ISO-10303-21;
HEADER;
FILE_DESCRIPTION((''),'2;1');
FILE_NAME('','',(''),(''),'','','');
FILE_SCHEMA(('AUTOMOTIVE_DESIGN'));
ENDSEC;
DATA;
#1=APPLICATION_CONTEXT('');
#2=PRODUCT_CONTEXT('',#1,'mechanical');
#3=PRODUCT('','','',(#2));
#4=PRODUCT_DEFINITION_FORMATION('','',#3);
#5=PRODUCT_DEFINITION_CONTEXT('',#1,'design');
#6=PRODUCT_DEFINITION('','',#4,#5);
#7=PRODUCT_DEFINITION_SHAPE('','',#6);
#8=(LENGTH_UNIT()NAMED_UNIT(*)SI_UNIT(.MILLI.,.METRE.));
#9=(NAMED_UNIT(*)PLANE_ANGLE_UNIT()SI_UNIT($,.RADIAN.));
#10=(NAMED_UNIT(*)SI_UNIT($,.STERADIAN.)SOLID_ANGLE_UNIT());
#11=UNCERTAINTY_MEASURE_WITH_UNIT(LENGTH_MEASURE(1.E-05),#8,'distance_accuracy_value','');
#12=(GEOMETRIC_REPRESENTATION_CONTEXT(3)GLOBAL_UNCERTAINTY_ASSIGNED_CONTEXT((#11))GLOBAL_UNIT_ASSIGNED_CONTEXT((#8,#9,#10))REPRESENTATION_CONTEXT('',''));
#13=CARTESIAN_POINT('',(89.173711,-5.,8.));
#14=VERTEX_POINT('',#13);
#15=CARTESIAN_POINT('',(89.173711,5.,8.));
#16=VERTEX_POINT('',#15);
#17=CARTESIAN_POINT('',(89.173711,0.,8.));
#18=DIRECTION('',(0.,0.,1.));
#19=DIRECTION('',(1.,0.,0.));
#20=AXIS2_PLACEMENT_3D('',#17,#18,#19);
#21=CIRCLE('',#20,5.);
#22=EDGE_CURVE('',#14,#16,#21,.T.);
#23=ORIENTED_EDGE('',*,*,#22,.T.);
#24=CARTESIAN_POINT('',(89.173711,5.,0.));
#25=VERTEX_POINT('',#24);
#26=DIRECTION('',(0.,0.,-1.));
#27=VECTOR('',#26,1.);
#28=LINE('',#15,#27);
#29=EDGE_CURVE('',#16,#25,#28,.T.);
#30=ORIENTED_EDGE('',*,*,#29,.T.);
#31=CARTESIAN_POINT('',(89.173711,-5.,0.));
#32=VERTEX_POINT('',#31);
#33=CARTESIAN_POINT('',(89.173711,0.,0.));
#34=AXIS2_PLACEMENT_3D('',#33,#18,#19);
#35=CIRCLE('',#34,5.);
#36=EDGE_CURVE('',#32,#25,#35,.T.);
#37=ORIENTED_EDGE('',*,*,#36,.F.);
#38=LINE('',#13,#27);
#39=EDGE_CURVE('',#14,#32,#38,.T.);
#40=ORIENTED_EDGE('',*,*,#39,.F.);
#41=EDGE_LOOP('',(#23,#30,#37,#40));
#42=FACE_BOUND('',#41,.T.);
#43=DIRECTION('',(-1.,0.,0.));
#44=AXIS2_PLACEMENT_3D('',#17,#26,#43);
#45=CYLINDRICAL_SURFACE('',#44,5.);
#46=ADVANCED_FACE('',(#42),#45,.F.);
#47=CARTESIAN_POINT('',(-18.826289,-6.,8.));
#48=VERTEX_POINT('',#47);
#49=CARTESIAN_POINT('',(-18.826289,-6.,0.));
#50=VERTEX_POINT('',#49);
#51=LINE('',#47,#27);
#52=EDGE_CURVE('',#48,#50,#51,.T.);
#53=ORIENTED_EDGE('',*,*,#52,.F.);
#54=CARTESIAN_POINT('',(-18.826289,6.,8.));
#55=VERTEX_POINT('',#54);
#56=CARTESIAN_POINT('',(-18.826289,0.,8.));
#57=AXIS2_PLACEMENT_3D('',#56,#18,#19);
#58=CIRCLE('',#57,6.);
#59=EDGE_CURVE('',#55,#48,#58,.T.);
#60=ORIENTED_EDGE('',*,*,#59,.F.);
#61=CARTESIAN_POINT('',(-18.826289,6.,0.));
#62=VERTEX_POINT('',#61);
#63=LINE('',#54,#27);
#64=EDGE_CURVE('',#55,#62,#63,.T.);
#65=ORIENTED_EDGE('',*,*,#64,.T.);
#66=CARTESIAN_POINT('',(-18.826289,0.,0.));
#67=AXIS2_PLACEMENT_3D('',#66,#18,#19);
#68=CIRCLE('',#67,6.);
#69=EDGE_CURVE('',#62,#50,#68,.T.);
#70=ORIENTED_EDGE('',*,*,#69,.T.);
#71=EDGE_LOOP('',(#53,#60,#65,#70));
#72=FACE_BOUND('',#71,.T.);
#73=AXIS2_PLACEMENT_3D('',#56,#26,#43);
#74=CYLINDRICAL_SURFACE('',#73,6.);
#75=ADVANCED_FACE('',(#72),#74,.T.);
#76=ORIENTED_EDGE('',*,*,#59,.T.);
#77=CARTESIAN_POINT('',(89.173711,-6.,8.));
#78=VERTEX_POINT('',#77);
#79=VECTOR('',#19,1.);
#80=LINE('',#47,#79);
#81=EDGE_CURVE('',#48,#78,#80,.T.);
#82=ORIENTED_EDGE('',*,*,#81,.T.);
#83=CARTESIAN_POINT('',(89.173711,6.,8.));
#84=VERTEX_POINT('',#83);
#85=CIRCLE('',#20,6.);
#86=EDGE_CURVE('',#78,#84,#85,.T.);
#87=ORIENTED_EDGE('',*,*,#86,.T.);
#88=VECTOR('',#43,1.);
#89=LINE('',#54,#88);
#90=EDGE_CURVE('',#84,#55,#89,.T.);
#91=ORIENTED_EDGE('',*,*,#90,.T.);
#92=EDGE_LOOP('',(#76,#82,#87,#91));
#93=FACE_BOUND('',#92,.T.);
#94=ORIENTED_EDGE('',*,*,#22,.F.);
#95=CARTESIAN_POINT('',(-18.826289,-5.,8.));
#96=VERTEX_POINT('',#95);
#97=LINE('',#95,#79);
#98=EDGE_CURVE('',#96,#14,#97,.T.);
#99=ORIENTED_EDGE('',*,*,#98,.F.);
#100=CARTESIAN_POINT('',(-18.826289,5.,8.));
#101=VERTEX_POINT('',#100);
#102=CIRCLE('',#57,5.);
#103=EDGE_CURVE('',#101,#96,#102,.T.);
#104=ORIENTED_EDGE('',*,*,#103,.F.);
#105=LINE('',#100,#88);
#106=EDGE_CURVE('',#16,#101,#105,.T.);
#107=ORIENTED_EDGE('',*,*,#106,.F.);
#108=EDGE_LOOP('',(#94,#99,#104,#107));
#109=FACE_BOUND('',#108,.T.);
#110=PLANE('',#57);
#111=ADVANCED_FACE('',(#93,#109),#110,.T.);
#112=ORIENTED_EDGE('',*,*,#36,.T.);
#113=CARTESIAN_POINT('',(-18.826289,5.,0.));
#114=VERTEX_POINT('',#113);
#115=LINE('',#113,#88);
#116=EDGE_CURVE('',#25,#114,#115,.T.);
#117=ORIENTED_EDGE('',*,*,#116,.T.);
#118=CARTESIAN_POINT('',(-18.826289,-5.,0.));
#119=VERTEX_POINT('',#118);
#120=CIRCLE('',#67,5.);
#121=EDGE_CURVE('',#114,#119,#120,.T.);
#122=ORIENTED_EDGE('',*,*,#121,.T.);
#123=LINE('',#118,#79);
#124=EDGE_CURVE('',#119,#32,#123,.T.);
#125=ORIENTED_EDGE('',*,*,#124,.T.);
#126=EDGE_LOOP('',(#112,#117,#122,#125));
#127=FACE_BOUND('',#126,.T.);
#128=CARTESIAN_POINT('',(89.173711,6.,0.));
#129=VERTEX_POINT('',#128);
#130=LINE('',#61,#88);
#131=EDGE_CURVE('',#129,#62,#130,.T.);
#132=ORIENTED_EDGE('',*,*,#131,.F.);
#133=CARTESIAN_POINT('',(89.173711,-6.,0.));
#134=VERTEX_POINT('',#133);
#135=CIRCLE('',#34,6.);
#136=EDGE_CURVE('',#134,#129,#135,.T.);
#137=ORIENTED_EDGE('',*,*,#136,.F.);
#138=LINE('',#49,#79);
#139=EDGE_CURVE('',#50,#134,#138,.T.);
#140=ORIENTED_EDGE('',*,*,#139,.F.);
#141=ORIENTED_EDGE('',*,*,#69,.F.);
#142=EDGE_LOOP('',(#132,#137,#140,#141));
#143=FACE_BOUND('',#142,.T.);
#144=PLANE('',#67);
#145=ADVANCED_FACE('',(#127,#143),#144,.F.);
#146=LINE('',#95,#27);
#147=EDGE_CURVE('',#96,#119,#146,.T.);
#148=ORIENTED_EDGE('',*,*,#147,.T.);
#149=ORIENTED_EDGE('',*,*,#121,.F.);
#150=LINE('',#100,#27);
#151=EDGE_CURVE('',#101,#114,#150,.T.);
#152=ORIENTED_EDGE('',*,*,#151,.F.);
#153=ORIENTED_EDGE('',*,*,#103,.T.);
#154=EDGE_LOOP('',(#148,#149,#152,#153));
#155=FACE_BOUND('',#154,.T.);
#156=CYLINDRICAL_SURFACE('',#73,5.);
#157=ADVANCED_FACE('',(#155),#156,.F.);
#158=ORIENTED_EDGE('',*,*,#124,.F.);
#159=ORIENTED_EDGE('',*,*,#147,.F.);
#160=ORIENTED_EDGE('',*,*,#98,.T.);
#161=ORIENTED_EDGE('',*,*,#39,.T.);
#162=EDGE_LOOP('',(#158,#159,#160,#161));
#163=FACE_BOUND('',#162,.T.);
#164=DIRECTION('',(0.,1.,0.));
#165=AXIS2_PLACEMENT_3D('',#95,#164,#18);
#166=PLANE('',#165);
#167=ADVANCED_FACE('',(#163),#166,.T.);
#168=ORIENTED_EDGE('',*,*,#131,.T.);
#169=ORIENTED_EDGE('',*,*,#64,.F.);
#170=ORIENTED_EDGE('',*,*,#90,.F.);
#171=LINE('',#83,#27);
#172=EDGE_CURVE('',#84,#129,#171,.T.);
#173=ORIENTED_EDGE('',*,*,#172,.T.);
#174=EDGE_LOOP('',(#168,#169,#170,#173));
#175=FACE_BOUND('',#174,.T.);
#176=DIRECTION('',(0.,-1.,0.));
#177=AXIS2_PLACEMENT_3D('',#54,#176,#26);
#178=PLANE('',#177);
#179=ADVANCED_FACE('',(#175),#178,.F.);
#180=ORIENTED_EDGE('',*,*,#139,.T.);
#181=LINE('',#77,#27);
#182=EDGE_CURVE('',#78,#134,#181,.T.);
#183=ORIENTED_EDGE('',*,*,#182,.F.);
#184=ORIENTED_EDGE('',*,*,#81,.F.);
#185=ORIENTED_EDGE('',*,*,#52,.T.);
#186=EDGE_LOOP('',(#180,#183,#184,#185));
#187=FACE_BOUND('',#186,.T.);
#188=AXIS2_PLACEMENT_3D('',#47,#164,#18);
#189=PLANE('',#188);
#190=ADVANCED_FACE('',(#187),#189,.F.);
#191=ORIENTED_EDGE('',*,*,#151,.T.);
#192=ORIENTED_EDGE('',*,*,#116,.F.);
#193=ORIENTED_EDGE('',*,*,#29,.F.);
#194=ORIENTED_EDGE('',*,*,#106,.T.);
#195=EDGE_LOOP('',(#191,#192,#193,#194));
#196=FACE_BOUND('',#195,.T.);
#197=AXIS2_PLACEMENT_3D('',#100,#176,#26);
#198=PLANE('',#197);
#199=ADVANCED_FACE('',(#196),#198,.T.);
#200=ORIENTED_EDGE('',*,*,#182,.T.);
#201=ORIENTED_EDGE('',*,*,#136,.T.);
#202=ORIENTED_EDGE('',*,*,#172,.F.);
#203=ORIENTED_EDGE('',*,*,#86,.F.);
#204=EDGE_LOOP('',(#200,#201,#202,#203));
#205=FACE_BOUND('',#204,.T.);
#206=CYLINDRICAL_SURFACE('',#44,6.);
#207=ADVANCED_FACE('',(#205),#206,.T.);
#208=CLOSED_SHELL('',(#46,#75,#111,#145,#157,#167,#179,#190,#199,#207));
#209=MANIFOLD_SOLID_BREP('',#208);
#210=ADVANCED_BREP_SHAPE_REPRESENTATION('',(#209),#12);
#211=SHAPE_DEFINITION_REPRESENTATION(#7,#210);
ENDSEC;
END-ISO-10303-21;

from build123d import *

# Parameters (mm, degrees)
RESSALTO_EXTRUS_O1_DEPTH = 8


with BuildPart() as part:
    # Esboço1 → Ressalto-extrusão1 (new body)
    with BuildSketch(Plane.XY):
        with BuildLine():
            Line((-18.82628943, 6), (89.17371057, 6))
            ThreePointArc((89.17371057, 6), (95.17371057, 0), (89.17371057, -6))
            Line((89.17371057, -6), (-18.82628943, -6))
            ThreePointArc((-18.82628943, -6), (-24.82628943, 0), (-18.82628943, 6))
        make_face()
        with BuildLine():
            Line((-18.82628943, 5), (89.17371057, 5))
            ThreePointArc((89.17371057, 5), (94.17371057, 0), (89.17371057, -5))
            Line((89.17371057, -5), (-18.82628943, -5))
            ThreePointArc((-18.82628943, -5), (-23.82628943, 0), (-18.82628943, 5))
        make_face(mode=Mode.SUBTRACT)
    extrude(amount=RESSALTO_EXTRUS_O1_DEPTH)


solid = part.part
